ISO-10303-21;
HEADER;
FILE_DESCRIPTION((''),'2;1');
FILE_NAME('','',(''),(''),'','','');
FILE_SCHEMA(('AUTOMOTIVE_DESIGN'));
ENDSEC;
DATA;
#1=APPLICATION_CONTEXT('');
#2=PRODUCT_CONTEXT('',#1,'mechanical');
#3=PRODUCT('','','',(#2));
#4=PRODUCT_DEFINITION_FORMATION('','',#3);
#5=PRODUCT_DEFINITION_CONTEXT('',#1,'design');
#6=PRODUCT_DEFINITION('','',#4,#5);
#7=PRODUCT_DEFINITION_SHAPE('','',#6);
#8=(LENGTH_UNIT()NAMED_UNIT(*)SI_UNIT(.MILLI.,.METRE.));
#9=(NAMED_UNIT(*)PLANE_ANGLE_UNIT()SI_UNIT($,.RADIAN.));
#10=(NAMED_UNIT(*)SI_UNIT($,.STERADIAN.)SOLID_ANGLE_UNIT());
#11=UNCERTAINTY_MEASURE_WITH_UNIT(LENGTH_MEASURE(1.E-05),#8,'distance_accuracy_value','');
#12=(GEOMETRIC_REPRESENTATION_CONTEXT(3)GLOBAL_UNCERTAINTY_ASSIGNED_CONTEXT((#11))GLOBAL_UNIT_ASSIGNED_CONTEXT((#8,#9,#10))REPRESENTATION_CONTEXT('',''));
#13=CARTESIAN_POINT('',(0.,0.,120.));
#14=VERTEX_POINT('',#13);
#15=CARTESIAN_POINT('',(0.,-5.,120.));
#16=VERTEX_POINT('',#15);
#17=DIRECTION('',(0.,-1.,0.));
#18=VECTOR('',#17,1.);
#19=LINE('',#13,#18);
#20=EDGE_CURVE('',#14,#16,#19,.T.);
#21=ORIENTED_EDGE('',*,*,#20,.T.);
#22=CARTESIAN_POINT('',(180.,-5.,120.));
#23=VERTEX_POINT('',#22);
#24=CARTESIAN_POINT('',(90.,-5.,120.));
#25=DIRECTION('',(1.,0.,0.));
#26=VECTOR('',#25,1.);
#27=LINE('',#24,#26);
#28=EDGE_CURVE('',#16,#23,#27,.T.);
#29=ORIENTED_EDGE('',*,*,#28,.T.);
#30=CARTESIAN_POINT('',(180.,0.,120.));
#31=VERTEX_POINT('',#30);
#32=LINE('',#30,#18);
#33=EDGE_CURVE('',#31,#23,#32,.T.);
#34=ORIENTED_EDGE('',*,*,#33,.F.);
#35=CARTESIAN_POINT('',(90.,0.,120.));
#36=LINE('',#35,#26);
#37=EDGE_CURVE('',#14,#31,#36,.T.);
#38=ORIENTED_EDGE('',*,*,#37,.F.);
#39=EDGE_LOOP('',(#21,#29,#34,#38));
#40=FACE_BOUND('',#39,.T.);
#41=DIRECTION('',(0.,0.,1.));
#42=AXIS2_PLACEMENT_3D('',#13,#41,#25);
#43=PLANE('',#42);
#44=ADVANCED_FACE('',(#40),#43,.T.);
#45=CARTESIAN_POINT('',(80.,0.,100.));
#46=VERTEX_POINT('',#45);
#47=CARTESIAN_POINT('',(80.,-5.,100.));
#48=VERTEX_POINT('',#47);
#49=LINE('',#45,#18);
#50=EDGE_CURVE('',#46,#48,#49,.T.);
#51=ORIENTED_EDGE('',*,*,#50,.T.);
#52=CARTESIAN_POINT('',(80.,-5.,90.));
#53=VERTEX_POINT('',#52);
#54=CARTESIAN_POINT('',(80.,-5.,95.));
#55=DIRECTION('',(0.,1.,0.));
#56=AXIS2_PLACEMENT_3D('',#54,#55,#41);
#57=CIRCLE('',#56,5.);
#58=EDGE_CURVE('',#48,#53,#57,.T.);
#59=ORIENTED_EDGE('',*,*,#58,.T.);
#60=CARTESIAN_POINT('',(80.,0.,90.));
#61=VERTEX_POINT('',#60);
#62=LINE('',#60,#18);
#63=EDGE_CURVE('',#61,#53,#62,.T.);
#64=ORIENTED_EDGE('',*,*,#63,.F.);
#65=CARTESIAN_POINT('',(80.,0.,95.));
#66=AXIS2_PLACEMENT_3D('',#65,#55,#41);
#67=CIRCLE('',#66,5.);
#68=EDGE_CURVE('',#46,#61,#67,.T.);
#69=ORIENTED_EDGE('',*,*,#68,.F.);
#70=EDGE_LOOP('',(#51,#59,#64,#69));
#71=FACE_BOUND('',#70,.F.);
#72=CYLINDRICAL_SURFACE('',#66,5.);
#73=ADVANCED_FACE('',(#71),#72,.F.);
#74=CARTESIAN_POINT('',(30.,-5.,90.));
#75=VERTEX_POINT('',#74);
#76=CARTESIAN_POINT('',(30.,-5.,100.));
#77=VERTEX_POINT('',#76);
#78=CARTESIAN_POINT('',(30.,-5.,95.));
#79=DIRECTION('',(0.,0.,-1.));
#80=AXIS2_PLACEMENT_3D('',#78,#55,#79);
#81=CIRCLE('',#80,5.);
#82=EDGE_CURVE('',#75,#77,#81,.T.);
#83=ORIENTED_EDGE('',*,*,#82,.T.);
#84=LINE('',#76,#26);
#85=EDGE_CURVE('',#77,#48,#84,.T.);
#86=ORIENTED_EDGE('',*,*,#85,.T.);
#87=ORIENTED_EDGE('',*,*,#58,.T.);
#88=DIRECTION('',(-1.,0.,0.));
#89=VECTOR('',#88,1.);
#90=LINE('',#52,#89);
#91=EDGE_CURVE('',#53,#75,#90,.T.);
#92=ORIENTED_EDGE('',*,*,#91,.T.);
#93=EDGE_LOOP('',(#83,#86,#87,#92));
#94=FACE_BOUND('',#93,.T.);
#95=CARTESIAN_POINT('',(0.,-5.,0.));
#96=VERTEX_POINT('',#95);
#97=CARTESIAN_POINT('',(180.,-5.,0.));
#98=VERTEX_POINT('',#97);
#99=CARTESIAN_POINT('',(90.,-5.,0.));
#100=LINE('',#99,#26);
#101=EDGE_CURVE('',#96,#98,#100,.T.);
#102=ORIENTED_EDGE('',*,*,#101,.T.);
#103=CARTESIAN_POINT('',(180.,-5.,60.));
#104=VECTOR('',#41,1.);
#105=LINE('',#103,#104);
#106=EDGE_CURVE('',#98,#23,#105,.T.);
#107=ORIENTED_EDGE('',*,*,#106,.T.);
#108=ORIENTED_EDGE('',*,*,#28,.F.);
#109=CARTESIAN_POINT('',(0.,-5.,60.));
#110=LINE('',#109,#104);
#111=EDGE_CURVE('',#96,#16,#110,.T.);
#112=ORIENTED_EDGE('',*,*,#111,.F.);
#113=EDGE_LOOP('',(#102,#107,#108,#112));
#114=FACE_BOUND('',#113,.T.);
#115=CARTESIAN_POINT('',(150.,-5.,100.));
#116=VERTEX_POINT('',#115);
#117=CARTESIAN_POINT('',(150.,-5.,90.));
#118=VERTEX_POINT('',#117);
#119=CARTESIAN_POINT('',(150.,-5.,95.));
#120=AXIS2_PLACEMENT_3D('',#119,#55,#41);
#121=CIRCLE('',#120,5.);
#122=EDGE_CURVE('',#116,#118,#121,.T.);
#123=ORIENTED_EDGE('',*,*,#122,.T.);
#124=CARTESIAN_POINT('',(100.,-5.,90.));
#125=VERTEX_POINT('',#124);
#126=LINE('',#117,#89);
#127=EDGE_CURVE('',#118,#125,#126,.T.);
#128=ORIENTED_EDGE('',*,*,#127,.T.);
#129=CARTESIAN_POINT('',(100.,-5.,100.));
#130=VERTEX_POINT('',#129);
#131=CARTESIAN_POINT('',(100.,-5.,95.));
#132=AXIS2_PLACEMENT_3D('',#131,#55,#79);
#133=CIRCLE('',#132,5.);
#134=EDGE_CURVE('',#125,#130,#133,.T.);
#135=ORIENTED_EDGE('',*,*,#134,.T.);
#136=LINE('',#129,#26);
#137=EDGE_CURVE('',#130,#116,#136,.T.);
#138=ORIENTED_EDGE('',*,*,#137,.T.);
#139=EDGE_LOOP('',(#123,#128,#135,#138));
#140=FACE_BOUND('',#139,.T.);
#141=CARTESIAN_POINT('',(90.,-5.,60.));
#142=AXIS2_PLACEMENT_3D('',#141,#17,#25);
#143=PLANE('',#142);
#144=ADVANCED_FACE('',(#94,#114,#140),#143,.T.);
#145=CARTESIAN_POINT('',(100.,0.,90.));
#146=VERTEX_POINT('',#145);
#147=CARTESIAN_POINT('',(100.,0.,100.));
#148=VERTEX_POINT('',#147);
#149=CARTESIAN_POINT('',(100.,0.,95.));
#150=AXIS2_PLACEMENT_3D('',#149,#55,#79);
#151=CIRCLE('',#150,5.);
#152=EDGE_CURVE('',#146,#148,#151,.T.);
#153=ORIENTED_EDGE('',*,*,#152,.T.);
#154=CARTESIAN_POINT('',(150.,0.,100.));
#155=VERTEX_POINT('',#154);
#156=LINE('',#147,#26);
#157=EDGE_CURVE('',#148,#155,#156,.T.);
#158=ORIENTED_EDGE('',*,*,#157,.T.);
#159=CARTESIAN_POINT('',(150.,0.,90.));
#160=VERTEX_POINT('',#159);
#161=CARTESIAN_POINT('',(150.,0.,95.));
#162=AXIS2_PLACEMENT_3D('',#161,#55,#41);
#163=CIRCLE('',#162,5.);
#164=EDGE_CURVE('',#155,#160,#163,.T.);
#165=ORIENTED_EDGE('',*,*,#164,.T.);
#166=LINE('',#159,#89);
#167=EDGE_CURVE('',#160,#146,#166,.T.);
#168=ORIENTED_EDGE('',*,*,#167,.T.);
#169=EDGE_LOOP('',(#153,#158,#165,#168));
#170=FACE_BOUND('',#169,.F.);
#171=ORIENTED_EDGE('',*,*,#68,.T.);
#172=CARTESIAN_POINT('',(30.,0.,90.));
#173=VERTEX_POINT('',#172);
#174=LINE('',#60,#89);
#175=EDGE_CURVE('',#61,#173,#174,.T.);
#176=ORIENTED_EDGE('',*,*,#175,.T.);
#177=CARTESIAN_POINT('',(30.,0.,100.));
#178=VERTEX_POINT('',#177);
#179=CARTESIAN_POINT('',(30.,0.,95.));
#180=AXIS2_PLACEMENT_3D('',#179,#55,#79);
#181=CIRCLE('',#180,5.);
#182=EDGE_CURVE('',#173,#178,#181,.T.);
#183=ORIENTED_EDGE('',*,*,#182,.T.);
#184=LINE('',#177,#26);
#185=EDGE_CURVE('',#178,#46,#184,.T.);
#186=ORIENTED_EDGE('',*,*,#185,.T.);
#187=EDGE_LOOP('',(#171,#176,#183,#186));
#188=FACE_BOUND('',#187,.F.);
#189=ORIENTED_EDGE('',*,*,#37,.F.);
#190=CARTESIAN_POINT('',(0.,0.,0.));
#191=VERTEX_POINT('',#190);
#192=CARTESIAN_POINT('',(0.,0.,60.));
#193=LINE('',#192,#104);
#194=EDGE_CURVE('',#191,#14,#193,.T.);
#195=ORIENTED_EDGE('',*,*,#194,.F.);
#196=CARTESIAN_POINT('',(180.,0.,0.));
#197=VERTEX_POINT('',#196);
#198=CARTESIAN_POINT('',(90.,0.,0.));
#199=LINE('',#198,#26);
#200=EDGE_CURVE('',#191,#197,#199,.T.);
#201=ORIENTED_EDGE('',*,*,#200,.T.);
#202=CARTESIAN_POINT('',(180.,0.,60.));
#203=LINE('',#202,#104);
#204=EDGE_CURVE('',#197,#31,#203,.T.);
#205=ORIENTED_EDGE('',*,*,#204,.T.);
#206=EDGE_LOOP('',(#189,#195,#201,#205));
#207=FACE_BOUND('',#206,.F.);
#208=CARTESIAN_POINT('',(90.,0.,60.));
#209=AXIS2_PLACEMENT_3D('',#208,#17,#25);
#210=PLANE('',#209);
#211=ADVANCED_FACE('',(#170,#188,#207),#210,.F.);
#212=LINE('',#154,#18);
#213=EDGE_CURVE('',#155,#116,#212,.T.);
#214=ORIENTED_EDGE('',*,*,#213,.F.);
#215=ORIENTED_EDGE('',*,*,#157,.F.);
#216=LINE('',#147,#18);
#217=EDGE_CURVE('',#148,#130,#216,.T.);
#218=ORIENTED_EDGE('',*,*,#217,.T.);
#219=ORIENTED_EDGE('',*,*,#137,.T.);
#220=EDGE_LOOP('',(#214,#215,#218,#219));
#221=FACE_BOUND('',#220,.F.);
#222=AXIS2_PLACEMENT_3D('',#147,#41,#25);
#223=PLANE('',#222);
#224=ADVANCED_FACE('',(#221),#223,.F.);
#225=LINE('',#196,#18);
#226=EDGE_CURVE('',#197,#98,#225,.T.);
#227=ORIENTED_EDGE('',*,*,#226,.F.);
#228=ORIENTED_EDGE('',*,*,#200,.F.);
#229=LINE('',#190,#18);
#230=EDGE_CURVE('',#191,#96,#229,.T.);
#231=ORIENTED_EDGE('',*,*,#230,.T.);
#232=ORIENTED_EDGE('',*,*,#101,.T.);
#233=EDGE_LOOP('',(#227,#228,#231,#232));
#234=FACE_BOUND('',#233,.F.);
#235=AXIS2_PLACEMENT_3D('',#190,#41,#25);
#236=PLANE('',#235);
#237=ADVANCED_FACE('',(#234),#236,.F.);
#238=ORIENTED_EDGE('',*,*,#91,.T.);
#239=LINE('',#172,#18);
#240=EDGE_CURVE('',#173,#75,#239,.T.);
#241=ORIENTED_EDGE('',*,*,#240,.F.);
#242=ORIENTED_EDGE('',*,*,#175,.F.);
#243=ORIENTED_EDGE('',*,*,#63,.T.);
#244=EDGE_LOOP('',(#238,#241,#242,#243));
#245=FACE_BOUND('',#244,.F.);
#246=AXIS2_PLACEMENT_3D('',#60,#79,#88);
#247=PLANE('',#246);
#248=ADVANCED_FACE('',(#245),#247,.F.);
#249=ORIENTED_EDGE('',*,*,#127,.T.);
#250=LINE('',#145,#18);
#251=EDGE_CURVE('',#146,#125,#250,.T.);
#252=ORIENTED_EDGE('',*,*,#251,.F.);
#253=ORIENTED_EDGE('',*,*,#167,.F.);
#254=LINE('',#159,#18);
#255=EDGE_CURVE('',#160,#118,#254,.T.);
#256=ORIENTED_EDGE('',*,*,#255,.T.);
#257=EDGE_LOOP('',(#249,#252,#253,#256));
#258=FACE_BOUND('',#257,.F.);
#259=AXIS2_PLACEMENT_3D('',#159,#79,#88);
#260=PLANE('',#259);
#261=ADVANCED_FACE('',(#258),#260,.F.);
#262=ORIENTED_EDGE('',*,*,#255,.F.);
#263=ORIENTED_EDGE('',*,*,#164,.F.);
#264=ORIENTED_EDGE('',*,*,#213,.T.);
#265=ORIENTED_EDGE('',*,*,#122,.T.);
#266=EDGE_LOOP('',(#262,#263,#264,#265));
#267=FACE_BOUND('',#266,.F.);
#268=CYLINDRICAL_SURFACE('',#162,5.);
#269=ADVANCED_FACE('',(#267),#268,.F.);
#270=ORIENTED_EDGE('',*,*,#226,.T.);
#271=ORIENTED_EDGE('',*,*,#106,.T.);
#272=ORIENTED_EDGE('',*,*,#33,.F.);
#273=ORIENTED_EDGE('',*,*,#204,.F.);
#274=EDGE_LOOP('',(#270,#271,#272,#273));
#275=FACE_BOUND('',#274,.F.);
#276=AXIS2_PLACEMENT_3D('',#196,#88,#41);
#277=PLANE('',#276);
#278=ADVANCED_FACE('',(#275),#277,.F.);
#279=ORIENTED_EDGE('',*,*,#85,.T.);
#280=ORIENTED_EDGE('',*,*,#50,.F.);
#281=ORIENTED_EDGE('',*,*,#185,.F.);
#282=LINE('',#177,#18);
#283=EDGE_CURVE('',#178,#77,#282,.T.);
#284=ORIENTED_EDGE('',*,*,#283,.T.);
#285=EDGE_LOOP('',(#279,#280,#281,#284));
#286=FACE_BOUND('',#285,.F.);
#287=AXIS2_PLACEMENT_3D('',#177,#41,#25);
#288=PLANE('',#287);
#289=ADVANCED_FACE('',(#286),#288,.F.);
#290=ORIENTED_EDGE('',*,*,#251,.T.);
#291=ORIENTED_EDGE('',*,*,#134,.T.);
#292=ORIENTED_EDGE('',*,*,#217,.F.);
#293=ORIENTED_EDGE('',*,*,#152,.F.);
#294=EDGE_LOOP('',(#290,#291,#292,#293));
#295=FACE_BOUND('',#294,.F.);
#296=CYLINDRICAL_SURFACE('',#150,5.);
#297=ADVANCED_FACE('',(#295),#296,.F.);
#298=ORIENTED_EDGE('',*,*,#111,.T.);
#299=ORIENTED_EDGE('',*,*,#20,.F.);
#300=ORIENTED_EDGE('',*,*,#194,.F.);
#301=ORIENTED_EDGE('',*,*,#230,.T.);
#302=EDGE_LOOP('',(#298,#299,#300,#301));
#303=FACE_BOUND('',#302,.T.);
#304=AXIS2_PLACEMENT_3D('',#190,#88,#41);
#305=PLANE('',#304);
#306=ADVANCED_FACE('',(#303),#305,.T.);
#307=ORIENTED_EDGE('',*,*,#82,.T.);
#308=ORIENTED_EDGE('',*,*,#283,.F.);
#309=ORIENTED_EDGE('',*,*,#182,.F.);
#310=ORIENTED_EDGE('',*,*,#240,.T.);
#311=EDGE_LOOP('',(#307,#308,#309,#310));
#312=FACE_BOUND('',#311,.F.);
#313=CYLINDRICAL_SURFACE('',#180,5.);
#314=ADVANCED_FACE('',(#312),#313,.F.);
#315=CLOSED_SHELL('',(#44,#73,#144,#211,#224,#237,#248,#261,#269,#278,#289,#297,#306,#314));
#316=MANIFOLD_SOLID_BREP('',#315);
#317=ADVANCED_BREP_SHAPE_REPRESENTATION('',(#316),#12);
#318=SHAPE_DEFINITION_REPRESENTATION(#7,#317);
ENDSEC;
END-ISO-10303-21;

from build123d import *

# Parameters (mm, degrees)
F0_W     = 180
F0_H     = 120
F1_DEPTH = 5


with BuildPart() as f1:
    # F0 (on Front) → F1 (new body)
    with BuildSketch(Plane.XZ):
        with Locations((90, 60)):
            Rectangle(F0_W, F0_H)
        with BuildLine():
            ThreePointArc((30, 90), (25, 95), (30, 100))
            Line((30, 100), (80, 100))
            ThreePointArc((80, 100), (85, 95), (80, 90))
            Line((80, 90), (30, 90))
        make_face(mode=Mode.SUBTRACT)
        with BuildLine():
            ThreePointArc((100, 90), (95, 95), (100, 100))
            Line((100, 100), (150, 100))
            ThreePointArc((150, 100), (155, 95), (150, 90))
            Line((150, 90), (100, 90))
        make_face(mode=Mode.SUBTRACT)
    extrude(amount=F1_DEPTH)


solid = f1.part
